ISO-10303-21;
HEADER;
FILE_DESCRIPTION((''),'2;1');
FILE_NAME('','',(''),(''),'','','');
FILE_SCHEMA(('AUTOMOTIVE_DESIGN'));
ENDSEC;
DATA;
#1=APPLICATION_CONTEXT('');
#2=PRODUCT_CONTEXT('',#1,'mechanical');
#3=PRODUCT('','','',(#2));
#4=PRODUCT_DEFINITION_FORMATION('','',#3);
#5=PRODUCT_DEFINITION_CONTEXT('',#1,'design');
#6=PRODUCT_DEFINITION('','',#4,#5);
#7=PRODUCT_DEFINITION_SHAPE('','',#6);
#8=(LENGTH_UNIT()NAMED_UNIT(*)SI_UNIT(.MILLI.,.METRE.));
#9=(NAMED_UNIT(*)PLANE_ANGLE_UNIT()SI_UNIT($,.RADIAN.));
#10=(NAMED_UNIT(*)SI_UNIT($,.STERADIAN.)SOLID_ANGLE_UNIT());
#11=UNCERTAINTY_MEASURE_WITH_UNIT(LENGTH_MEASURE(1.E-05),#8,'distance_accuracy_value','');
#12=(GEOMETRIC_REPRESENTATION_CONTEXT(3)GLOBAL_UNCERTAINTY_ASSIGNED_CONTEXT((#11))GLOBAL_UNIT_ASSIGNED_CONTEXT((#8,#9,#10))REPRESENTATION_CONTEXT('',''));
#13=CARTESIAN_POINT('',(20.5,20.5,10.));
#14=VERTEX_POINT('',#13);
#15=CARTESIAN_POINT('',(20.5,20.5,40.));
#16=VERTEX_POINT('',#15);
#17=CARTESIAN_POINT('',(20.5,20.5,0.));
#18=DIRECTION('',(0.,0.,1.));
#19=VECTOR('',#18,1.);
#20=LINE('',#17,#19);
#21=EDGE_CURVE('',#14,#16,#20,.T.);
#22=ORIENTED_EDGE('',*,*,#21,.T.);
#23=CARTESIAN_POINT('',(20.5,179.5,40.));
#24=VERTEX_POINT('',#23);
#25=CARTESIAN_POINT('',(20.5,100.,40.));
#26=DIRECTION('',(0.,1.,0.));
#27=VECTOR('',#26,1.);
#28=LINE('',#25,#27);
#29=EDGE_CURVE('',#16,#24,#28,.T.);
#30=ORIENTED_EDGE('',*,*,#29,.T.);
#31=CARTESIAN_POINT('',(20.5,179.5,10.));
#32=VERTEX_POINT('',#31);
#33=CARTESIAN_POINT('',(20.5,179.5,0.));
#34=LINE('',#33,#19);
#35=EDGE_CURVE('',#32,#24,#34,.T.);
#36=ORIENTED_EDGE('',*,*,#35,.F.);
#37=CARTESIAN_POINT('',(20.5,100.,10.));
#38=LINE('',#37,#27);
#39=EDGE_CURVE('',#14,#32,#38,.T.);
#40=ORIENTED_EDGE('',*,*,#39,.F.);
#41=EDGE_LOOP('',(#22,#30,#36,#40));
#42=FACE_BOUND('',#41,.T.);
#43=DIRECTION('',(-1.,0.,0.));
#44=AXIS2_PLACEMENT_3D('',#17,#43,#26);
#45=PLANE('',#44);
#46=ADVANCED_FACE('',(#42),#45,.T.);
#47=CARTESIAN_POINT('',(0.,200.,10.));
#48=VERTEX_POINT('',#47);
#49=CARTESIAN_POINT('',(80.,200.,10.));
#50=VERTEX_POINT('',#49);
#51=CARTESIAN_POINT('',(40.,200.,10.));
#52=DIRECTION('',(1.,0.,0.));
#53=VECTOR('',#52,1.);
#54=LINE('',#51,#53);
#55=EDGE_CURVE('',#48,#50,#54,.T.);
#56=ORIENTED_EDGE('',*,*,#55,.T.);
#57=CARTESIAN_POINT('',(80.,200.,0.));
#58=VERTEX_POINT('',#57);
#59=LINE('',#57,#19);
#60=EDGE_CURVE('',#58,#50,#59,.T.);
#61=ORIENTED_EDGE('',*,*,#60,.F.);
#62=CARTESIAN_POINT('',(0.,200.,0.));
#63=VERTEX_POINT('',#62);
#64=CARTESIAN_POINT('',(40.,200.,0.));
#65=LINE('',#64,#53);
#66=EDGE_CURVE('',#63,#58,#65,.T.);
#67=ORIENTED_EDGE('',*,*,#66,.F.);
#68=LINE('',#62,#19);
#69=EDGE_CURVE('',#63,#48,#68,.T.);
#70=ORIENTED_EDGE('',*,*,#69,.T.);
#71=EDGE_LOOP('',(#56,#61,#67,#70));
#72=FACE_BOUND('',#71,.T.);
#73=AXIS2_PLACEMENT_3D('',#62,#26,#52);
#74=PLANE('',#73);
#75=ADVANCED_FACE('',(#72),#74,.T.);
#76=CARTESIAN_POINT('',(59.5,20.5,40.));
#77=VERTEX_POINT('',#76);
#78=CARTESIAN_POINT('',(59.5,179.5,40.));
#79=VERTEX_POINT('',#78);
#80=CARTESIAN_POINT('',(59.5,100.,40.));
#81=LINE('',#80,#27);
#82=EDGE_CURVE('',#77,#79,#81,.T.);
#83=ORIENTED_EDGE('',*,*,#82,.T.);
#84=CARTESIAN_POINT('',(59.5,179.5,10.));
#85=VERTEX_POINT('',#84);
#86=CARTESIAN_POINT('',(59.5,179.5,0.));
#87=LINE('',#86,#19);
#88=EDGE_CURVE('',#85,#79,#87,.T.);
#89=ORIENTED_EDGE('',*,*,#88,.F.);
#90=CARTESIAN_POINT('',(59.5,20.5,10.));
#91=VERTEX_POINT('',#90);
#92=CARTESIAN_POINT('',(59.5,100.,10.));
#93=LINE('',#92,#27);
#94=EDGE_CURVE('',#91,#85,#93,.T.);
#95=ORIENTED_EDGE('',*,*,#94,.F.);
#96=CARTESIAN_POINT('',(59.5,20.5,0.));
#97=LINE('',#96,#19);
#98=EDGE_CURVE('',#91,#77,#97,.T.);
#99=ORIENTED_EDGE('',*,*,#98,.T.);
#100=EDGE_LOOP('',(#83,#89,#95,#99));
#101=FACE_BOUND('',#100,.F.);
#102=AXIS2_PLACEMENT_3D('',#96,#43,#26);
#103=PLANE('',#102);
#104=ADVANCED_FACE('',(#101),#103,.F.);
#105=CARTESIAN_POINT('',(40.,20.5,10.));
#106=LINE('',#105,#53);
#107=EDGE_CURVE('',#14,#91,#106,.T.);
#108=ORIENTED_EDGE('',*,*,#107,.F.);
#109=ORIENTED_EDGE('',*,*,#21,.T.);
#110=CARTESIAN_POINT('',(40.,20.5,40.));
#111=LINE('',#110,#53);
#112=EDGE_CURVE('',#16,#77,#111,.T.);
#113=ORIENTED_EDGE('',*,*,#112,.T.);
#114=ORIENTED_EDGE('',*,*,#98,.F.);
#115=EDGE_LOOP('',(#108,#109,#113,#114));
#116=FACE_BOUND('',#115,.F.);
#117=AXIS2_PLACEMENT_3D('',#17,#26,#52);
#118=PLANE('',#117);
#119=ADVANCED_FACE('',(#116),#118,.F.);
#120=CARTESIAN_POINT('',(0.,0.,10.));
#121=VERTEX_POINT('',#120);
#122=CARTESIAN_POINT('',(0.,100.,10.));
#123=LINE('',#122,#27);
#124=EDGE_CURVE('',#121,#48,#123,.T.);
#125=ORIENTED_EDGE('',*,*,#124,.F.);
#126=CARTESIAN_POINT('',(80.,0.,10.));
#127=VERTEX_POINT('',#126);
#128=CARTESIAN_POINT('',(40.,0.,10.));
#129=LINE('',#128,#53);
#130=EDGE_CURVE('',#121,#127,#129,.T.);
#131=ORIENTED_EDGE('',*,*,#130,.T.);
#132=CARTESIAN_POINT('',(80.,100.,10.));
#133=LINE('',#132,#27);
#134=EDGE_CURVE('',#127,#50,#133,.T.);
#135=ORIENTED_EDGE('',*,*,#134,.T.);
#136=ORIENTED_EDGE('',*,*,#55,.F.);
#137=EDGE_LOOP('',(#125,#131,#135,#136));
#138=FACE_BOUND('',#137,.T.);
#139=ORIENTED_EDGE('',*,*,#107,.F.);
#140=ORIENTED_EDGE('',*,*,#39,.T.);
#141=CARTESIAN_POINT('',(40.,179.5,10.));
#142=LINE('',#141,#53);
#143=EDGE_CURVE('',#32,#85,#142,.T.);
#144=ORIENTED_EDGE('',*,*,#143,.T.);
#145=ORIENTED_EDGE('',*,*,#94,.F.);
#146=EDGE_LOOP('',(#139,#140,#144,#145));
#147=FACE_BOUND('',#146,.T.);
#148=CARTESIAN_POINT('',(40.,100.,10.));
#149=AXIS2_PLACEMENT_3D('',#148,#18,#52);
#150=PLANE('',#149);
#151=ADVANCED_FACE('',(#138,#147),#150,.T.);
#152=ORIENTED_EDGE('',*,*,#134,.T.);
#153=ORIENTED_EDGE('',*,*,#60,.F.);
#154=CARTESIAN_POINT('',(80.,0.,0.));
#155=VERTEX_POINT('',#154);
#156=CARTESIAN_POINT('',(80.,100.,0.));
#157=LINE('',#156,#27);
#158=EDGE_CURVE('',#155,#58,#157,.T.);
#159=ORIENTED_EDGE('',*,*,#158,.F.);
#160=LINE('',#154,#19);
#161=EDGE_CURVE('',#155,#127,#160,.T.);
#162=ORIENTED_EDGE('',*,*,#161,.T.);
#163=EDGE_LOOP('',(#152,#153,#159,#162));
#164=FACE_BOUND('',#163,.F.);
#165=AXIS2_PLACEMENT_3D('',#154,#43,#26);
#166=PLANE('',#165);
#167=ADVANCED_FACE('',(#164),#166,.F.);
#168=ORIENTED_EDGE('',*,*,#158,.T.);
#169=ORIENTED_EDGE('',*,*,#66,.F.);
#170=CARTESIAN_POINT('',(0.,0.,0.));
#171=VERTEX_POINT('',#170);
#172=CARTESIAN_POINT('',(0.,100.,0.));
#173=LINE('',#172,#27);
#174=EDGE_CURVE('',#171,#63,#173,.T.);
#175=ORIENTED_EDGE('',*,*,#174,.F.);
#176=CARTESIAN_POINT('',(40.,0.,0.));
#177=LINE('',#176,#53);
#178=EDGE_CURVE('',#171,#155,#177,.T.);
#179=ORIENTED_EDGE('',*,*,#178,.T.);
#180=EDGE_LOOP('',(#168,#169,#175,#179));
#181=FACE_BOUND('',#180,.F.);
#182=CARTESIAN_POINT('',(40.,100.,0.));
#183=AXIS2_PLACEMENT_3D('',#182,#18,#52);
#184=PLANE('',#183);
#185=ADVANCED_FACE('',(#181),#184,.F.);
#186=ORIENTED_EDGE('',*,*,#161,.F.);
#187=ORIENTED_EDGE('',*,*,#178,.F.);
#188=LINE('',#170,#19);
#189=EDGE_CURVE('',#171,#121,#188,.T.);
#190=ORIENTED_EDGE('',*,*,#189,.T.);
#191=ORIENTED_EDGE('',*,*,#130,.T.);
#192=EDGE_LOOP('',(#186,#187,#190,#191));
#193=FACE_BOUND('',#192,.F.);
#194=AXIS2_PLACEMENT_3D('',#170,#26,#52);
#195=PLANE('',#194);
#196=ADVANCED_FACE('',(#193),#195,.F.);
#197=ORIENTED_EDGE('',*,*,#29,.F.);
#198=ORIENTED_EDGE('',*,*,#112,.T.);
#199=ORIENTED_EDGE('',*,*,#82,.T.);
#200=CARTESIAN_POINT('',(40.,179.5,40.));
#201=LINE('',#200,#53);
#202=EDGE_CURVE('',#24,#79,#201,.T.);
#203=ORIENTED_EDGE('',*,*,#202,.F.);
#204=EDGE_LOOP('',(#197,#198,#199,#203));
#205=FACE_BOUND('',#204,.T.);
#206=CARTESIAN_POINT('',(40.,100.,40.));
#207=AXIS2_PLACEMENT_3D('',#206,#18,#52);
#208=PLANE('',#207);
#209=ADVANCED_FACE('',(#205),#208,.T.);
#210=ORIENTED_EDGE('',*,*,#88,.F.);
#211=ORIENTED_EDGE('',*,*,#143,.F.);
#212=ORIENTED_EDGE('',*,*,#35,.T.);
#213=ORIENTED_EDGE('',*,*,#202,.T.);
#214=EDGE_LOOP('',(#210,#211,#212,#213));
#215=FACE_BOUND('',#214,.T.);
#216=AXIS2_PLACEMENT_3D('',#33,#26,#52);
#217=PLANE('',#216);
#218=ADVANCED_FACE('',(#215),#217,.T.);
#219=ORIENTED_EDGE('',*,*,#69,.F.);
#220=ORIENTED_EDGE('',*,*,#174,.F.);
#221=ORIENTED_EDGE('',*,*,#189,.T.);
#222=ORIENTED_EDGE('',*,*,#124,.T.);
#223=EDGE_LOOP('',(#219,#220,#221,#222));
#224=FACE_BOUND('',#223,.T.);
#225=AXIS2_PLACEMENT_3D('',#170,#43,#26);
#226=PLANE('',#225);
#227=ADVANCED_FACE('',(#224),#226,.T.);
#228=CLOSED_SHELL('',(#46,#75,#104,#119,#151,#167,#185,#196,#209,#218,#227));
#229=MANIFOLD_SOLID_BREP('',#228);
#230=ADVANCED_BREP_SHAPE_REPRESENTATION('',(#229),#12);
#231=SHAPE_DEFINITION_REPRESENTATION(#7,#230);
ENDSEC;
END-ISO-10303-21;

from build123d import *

# Parameters (mm, degrees)
F0_W     = 80
F0_H     = 200
F0_W_2   = 39
F0_H_2   = 159
F1_DEPTH = 10
F2_DEPTH = 40


with BuildPart() as f1:
    # F0 (on Top) → F1 (new body)
    with BuildSketch(Plane.XY):
        with Locations((40, 100)):
            Rectangle(F0_W, F0_H)
        with Locations((40, 100)):
            Rectangle(F0_W_2, F0_H_2, mode=Mode.SUBTRACT)
    extrude(amount=F1_DEPTH)

    # F0 (on Top) → F2 (join)
    with BuildSketch(Plane.XY):
        with Locations((40, 100)):
            Rectangle(F0_W_2, F0_H_2)
    extrude(amount=F2_DEPTH)


solid = f1.part
